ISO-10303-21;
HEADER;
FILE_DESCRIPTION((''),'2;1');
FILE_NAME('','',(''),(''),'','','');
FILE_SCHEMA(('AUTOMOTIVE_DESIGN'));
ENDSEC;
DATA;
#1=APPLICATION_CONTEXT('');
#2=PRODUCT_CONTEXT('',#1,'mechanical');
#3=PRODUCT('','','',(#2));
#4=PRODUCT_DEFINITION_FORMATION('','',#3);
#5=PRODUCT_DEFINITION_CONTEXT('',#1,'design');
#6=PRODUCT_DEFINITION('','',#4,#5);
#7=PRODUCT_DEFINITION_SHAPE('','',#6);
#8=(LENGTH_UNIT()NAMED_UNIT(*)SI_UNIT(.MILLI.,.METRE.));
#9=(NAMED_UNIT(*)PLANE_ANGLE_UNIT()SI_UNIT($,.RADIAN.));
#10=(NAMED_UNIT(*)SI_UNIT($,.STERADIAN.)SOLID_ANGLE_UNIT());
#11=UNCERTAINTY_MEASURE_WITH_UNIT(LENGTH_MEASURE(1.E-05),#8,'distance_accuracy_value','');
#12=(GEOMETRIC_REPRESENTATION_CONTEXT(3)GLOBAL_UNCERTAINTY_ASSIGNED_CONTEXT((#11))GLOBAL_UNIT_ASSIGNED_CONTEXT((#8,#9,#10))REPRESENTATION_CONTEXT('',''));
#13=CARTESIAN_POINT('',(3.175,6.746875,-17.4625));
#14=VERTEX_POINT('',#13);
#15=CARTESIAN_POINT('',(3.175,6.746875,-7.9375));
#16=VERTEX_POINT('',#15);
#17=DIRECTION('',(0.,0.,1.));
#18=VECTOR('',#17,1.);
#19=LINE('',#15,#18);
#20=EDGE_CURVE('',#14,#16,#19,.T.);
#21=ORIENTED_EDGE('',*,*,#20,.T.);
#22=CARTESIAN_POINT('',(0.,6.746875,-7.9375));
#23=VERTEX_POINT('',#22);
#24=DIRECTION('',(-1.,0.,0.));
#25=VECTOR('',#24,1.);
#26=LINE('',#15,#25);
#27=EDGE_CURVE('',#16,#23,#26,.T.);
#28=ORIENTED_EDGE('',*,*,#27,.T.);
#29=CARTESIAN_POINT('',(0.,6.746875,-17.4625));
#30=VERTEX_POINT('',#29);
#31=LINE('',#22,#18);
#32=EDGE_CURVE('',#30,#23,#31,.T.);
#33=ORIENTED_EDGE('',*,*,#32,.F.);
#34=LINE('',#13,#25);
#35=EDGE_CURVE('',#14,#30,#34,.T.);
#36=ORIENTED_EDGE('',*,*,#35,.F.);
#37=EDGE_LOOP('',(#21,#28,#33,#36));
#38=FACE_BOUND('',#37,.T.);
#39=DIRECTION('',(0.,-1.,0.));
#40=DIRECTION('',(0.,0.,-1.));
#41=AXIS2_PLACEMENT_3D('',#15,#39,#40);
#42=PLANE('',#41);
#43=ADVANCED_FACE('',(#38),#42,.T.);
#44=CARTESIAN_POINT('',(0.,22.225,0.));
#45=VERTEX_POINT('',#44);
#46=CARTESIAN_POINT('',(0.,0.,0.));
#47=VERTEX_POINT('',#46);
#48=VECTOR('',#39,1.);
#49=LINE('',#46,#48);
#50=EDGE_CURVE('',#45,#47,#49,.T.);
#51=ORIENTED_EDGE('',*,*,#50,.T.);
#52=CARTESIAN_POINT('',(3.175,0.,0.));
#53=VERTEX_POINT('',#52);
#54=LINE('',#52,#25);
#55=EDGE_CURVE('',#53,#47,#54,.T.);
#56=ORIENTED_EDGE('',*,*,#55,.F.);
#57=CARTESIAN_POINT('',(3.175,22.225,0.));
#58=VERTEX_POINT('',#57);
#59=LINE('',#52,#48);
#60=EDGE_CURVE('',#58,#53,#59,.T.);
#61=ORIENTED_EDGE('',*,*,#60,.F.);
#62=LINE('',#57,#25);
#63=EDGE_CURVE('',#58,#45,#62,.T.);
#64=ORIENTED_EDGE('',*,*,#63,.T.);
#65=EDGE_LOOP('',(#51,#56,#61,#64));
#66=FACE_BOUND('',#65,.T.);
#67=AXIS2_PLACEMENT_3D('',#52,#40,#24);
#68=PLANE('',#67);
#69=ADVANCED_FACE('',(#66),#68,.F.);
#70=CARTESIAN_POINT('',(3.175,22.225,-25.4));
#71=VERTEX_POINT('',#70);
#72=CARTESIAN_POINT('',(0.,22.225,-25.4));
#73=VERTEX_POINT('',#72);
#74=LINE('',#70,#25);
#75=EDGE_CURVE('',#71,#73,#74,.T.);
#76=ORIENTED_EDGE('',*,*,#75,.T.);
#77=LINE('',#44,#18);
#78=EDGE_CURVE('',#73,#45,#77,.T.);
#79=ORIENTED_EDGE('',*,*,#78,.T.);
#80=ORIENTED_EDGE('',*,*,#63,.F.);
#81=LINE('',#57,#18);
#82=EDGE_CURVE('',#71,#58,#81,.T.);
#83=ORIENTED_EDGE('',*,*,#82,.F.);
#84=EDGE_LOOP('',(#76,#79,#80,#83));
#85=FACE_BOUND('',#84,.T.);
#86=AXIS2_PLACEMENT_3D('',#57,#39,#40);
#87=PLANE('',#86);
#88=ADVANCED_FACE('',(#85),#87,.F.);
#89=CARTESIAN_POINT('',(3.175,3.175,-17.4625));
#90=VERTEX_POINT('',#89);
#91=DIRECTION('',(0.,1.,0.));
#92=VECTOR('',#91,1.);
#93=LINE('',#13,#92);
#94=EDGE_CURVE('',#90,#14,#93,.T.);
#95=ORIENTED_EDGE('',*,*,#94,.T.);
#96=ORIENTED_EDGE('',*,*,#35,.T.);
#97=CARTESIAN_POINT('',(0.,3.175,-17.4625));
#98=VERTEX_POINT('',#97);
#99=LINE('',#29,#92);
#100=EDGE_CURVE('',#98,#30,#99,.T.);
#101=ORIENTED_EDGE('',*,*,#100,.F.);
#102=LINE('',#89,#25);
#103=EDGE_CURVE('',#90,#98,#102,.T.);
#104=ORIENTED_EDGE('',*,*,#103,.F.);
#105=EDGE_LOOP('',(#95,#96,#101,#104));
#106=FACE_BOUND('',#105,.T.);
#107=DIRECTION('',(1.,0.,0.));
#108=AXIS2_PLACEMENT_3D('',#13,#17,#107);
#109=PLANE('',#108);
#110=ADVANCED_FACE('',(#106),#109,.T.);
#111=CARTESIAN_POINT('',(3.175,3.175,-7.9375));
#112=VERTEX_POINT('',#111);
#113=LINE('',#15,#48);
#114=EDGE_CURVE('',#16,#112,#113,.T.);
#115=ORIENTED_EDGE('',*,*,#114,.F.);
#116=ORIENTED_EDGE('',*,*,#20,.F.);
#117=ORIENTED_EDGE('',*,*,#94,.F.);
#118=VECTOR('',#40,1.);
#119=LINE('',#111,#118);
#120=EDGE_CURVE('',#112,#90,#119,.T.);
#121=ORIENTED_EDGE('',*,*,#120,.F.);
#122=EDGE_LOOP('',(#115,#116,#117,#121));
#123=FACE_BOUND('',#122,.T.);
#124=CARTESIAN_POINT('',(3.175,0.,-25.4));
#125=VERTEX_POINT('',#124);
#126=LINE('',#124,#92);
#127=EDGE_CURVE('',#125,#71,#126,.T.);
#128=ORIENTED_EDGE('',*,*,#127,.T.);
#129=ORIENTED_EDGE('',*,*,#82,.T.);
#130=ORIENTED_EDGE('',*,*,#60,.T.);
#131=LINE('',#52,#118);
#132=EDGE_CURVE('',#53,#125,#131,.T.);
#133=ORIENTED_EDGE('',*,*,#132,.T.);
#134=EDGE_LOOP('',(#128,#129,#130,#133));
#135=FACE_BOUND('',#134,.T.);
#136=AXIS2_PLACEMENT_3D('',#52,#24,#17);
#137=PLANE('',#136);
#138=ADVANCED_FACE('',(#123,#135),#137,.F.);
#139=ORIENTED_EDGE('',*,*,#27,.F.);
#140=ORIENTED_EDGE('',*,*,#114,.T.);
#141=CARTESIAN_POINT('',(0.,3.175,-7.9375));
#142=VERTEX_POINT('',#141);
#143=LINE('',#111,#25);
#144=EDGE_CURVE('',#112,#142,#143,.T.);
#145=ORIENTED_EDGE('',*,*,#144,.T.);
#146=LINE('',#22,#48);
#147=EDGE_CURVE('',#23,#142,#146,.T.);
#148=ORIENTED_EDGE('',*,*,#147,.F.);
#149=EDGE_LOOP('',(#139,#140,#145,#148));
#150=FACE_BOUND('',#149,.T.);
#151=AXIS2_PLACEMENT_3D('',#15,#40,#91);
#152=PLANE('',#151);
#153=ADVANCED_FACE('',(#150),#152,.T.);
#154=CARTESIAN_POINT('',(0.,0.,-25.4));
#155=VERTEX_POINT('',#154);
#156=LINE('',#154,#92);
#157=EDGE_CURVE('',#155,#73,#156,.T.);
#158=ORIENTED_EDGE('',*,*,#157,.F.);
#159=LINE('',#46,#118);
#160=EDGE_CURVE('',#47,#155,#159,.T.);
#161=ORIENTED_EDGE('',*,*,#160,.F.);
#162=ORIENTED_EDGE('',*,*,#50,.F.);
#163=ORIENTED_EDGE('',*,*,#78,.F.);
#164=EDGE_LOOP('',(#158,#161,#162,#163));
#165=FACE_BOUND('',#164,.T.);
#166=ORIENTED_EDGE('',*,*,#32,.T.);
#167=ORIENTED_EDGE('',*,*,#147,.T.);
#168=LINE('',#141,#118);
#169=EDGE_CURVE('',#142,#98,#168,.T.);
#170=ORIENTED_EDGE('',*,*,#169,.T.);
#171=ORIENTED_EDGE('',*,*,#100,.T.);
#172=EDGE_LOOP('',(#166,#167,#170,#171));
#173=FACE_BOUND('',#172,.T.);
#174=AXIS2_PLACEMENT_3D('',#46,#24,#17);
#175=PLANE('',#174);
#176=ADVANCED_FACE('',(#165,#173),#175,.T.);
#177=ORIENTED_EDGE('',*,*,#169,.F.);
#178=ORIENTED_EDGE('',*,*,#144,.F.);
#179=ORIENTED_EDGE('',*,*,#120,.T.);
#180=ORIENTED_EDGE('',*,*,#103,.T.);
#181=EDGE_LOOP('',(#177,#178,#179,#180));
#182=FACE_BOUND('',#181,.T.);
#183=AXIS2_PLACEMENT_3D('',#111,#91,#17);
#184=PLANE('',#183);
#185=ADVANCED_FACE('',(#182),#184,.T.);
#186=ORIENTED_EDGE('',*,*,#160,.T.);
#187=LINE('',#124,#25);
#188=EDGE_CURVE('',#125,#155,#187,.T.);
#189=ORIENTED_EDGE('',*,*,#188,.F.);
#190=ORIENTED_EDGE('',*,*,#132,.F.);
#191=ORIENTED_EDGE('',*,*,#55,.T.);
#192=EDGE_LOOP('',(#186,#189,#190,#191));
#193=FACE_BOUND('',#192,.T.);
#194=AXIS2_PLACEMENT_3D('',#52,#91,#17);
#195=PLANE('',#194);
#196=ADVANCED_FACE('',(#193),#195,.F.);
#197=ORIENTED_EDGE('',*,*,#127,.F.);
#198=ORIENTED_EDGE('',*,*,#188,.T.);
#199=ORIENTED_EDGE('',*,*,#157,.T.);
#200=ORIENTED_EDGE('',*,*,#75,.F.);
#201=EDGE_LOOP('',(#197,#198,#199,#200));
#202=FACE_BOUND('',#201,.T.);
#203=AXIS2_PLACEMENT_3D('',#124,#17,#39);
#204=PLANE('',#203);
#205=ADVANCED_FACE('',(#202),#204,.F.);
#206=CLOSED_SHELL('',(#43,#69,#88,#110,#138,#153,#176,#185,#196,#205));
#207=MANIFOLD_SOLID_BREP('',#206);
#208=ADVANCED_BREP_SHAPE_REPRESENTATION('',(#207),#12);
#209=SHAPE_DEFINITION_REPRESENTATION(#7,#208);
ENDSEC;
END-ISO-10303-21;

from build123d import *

# Parameters (mm, degrees)
SKETCH1_W           = 25.4
SKETCH1_H           = 22.225
SKETCH1_W_2         = 9.525
SKETCH1_H_2         = 3.571875
BOSS_EXTRUDE1_DEPTH = 3.175


with BuildPart() as part:
    # Sketch1 → Boss-Extrude1 (new body)
    with BuildSketch(Plane(origin=(0, 0, 0), x_dir=(0, 0, -1), z_dir=(1, 0, 0))):
        with Locations((12.7, 11.1125)):
            Rectangle(SKETCH1_W, SKETCH1_H)
        with Locations((12.7, 4.9609375)):
            Rectangle(SKETCH1_W_2, SKETCH1_H_2, mode=Mode.SUBTRACT)
    extrude(amount=BOSS_EXTRUDE1_DEPTH)


solid = part.part
